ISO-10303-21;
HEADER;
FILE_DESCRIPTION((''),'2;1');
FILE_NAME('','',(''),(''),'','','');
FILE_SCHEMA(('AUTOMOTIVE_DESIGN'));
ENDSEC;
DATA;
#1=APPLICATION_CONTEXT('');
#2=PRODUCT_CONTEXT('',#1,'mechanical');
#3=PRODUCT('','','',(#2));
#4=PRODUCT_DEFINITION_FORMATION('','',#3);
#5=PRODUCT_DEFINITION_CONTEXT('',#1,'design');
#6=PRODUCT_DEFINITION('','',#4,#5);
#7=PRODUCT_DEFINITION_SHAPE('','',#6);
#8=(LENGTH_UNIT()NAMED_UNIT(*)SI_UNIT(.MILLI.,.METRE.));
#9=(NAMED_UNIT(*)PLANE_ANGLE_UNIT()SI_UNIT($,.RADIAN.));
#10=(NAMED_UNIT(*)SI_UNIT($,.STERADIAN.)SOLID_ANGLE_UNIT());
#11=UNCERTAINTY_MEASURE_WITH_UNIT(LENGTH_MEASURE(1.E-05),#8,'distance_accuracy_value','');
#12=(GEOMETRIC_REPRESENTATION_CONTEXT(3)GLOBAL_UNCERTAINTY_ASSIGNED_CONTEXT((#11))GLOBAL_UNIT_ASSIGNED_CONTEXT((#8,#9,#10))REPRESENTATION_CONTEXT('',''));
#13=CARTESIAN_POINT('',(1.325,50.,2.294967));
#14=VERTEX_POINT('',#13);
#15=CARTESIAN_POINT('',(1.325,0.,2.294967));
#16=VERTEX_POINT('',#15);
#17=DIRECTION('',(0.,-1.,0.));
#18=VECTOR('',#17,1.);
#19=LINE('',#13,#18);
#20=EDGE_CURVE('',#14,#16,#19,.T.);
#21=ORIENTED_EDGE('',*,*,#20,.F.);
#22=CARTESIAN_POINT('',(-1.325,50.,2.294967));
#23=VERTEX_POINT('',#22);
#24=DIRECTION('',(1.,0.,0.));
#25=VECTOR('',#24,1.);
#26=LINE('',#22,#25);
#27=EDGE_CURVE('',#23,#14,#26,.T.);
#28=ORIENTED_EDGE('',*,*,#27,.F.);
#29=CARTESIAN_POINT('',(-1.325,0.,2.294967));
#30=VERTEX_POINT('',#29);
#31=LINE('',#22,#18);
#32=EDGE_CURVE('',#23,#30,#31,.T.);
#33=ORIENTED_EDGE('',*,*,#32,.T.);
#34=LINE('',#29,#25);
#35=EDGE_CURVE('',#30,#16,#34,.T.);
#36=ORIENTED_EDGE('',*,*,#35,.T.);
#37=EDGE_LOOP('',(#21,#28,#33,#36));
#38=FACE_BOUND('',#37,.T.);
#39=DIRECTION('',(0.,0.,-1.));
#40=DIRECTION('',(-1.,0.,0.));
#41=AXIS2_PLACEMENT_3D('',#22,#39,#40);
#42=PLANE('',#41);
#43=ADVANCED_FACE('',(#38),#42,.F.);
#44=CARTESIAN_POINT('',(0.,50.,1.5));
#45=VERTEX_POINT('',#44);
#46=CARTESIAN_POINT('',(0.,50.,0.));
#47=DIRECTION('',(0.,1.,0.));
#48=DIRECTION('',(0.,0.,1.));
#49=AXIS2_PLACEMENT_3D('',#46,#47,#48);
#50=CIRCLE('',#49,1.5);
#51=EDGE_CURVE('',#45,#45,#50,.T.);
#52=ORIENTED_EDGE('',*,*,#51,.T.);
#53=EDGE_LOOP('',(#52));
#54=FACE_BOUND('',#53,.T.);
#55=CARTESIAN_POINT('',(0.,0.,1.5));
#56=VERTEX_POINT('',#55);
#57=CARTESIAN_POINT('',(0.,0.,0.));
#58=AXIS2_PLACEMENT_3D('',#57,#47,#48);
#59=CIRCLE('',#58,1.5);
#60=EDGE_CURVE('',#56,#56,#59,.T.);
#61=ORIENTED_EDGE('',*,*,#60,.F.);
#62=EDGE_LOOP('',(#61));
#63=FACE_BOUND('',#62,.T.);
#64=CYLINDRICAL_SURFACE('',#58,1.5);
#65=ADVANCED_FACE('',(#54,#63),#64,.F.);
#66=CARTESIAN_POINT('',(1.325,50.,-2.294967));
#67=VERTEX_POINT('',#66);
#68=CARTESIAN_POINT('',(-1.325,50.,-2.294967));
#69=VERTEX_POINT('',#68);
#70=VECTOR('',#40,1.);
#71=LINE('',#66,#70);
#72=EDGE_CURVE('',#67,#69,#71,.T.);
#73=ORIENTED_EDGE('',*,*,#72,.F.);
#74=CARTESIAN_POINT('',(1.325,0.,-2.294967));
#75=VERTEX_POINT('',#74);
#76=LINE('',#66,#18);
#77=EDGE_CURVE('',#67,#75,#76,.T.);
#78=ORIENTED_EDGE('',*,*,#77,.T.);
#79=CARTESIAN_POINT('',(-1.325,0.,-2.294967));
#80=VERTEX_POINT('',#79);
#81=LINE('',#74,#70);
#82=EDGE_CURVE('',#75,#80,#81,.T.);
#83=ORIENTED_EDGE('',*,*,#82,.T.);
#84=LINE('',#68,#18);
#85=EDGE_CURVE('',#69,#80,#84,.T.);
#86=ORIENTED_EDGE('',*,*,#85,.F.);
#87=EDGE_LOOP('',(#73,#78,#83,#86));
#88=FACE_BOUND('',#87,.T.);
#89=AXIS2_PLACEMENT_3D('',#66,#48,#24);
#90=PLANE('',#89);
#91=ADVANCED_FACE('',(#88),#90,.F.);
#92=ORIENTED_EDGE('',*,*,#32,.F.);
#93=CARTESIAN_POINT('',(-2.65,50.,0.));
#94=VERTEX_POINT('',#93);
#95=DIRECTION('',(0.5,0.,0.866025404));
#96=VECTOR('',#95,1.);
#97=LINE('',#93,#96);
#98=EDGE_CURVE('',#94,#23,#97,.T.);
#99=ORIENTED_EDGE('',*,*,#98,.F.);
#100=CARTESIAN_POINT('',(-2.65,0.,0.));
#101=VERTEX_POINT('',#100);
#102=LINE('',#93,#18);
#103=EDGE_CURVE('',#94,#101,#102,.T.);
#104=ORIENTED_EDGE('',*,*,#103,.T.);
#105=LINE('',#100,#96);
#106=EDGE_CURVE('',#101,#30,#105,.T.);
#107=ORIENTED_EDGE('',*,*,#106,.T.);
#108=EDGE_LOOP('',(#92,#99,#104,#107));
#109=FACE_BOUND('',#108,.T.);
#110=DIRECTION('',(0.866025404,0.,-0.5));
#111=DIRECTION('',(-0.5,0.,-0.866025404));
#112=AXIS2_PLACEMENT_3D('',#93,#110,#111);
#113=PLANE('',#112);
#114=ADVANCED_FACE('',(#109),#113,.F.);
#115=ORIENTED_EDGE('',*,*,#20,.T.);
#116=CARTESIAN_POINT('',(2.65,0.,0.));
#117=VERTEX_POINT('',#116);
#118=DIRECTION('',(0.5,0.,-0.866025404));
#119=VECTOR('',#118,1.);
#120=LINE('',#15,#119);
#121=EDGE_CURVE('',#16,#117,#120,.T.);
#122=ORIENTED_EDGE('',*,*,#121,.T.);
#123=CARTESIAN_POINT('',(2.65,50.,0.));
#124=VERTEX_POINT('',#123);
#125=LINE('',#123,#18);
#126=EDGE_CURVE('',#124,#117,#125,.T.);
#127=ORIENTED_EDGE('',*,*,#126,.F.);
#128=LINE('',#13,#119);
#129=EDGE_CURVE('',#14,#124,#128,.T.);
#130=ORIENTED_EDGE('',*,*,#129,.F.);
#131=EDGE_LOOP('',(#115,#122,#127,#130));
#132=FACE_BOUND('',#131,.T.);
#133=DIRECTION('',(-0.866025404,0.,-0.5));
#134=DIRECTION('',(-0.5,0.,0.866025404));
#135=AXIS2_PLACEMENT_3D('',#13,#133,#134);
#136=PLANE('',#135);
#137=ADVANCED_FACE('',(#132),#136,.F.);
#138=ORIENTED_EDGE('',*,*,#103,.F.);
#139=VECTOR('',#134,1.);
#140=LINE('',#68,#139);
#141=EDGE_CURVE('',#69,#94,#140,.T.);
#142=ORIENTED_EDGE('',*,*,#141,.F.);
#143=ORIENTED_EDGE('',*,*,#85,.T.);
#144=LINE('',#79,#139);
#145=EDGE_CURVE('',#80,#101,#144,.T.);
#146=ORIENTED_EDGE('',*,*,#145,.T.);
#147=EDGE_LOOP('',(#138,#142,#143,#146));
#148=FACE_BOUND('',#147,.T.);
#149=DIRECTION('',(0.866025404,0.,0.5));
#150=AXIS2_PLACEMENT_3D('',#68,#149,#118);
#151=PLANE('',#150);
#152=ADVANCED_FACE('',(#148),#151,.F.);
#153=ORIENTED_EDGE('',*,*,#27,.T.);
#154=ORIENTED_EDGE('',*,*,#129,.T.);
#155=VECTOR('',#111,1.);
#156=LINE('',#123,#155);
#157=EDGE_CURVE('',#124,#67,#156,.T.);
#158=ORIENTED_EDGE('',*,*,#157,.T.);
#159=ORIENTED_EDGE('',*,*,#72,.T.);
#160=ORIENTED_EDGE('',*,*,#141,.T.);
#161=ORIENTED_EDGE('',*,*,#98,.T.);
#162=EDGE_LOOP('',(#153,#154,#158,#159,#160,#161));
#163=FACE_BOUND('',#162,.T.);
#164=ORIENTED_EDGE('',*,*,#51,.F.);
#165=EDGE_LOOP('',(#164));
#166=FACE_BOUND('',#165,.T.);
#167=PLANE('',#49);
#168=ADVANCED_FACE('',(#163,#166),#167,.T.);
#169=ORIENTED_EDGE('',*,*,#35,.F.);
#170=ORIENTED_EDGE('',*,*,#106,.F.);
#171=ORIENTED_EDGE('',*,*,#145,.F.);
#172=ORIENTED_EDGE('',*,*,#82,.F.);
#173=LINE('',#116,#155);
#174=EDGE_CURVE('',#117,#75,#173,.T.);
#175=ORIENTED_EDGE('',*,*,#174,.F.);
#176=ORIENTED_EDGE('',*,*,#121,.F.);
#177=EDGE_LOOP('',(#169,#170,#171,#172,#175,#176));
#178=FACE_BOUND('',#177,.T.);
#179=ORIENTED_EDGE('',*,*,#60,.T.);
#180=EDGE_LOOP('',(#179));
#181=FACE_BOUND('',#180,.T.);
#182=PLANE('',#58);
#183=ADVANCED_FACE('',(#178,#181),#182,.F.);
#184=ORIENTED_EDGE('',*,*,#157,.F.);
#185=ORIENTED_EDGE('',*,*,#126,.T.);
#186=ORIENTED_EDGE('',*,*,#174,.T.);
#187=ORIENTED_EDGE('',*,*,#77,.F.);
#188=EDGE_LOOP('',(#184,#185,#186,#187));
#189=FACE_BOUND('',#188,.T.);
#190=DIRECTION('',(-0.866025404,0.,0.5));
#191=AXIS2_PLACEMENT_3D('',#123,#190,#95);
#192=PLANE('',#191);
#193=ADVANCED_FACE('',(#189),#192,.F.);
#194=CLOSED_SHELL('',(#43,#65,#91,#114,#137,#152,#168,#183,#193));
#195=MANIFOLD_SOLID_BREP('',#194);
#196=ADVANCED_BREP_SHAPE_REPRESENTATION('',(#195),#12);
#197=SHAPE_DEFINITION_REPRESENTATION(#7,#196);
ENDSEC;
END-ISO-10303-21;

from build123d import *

# Parameters (mm, degrees)
SALIENTE_EXTRUIR1_DEPTH = 50
CROQUIS2_R              = 1.5
CORTAR_EXTRUIR1_DEPTH   = 50


with BuildPart() as part:
    # Croquis1 → Saliente-Extruir1 (new body)
    with BuildSketch(Plane(origin=(0, 0, 0), x_dir=(1, 0, 0), z_dir=(0, 1, 0))):
        Polygon((2.65, 0), (1.325, 2.29496732), (-1.325, 2.29496732), (-2.65, 0), (-1.325, -2.29496732), (1.325, -2.29496732), align=None)
    extrude(amount=SALIENTE_EXTRUIR1_DEPTH)

    # Croquis2 → Cortar-Extruir1 (cut)
    with BuildSketch(Plane(origin=(0, 50, 0), x_dir=(1, 0, 0), z_dir=(0, 1, 0))):
        with Locations(Location((0, 0, 0), (0, 0, 270))):
            Circle(CROQUIS2_R)
    extrude(amount=-CORTAR_EXTRUIR1_DEPTH, mode=Mode.SUBTRACT)


solid = part.part
